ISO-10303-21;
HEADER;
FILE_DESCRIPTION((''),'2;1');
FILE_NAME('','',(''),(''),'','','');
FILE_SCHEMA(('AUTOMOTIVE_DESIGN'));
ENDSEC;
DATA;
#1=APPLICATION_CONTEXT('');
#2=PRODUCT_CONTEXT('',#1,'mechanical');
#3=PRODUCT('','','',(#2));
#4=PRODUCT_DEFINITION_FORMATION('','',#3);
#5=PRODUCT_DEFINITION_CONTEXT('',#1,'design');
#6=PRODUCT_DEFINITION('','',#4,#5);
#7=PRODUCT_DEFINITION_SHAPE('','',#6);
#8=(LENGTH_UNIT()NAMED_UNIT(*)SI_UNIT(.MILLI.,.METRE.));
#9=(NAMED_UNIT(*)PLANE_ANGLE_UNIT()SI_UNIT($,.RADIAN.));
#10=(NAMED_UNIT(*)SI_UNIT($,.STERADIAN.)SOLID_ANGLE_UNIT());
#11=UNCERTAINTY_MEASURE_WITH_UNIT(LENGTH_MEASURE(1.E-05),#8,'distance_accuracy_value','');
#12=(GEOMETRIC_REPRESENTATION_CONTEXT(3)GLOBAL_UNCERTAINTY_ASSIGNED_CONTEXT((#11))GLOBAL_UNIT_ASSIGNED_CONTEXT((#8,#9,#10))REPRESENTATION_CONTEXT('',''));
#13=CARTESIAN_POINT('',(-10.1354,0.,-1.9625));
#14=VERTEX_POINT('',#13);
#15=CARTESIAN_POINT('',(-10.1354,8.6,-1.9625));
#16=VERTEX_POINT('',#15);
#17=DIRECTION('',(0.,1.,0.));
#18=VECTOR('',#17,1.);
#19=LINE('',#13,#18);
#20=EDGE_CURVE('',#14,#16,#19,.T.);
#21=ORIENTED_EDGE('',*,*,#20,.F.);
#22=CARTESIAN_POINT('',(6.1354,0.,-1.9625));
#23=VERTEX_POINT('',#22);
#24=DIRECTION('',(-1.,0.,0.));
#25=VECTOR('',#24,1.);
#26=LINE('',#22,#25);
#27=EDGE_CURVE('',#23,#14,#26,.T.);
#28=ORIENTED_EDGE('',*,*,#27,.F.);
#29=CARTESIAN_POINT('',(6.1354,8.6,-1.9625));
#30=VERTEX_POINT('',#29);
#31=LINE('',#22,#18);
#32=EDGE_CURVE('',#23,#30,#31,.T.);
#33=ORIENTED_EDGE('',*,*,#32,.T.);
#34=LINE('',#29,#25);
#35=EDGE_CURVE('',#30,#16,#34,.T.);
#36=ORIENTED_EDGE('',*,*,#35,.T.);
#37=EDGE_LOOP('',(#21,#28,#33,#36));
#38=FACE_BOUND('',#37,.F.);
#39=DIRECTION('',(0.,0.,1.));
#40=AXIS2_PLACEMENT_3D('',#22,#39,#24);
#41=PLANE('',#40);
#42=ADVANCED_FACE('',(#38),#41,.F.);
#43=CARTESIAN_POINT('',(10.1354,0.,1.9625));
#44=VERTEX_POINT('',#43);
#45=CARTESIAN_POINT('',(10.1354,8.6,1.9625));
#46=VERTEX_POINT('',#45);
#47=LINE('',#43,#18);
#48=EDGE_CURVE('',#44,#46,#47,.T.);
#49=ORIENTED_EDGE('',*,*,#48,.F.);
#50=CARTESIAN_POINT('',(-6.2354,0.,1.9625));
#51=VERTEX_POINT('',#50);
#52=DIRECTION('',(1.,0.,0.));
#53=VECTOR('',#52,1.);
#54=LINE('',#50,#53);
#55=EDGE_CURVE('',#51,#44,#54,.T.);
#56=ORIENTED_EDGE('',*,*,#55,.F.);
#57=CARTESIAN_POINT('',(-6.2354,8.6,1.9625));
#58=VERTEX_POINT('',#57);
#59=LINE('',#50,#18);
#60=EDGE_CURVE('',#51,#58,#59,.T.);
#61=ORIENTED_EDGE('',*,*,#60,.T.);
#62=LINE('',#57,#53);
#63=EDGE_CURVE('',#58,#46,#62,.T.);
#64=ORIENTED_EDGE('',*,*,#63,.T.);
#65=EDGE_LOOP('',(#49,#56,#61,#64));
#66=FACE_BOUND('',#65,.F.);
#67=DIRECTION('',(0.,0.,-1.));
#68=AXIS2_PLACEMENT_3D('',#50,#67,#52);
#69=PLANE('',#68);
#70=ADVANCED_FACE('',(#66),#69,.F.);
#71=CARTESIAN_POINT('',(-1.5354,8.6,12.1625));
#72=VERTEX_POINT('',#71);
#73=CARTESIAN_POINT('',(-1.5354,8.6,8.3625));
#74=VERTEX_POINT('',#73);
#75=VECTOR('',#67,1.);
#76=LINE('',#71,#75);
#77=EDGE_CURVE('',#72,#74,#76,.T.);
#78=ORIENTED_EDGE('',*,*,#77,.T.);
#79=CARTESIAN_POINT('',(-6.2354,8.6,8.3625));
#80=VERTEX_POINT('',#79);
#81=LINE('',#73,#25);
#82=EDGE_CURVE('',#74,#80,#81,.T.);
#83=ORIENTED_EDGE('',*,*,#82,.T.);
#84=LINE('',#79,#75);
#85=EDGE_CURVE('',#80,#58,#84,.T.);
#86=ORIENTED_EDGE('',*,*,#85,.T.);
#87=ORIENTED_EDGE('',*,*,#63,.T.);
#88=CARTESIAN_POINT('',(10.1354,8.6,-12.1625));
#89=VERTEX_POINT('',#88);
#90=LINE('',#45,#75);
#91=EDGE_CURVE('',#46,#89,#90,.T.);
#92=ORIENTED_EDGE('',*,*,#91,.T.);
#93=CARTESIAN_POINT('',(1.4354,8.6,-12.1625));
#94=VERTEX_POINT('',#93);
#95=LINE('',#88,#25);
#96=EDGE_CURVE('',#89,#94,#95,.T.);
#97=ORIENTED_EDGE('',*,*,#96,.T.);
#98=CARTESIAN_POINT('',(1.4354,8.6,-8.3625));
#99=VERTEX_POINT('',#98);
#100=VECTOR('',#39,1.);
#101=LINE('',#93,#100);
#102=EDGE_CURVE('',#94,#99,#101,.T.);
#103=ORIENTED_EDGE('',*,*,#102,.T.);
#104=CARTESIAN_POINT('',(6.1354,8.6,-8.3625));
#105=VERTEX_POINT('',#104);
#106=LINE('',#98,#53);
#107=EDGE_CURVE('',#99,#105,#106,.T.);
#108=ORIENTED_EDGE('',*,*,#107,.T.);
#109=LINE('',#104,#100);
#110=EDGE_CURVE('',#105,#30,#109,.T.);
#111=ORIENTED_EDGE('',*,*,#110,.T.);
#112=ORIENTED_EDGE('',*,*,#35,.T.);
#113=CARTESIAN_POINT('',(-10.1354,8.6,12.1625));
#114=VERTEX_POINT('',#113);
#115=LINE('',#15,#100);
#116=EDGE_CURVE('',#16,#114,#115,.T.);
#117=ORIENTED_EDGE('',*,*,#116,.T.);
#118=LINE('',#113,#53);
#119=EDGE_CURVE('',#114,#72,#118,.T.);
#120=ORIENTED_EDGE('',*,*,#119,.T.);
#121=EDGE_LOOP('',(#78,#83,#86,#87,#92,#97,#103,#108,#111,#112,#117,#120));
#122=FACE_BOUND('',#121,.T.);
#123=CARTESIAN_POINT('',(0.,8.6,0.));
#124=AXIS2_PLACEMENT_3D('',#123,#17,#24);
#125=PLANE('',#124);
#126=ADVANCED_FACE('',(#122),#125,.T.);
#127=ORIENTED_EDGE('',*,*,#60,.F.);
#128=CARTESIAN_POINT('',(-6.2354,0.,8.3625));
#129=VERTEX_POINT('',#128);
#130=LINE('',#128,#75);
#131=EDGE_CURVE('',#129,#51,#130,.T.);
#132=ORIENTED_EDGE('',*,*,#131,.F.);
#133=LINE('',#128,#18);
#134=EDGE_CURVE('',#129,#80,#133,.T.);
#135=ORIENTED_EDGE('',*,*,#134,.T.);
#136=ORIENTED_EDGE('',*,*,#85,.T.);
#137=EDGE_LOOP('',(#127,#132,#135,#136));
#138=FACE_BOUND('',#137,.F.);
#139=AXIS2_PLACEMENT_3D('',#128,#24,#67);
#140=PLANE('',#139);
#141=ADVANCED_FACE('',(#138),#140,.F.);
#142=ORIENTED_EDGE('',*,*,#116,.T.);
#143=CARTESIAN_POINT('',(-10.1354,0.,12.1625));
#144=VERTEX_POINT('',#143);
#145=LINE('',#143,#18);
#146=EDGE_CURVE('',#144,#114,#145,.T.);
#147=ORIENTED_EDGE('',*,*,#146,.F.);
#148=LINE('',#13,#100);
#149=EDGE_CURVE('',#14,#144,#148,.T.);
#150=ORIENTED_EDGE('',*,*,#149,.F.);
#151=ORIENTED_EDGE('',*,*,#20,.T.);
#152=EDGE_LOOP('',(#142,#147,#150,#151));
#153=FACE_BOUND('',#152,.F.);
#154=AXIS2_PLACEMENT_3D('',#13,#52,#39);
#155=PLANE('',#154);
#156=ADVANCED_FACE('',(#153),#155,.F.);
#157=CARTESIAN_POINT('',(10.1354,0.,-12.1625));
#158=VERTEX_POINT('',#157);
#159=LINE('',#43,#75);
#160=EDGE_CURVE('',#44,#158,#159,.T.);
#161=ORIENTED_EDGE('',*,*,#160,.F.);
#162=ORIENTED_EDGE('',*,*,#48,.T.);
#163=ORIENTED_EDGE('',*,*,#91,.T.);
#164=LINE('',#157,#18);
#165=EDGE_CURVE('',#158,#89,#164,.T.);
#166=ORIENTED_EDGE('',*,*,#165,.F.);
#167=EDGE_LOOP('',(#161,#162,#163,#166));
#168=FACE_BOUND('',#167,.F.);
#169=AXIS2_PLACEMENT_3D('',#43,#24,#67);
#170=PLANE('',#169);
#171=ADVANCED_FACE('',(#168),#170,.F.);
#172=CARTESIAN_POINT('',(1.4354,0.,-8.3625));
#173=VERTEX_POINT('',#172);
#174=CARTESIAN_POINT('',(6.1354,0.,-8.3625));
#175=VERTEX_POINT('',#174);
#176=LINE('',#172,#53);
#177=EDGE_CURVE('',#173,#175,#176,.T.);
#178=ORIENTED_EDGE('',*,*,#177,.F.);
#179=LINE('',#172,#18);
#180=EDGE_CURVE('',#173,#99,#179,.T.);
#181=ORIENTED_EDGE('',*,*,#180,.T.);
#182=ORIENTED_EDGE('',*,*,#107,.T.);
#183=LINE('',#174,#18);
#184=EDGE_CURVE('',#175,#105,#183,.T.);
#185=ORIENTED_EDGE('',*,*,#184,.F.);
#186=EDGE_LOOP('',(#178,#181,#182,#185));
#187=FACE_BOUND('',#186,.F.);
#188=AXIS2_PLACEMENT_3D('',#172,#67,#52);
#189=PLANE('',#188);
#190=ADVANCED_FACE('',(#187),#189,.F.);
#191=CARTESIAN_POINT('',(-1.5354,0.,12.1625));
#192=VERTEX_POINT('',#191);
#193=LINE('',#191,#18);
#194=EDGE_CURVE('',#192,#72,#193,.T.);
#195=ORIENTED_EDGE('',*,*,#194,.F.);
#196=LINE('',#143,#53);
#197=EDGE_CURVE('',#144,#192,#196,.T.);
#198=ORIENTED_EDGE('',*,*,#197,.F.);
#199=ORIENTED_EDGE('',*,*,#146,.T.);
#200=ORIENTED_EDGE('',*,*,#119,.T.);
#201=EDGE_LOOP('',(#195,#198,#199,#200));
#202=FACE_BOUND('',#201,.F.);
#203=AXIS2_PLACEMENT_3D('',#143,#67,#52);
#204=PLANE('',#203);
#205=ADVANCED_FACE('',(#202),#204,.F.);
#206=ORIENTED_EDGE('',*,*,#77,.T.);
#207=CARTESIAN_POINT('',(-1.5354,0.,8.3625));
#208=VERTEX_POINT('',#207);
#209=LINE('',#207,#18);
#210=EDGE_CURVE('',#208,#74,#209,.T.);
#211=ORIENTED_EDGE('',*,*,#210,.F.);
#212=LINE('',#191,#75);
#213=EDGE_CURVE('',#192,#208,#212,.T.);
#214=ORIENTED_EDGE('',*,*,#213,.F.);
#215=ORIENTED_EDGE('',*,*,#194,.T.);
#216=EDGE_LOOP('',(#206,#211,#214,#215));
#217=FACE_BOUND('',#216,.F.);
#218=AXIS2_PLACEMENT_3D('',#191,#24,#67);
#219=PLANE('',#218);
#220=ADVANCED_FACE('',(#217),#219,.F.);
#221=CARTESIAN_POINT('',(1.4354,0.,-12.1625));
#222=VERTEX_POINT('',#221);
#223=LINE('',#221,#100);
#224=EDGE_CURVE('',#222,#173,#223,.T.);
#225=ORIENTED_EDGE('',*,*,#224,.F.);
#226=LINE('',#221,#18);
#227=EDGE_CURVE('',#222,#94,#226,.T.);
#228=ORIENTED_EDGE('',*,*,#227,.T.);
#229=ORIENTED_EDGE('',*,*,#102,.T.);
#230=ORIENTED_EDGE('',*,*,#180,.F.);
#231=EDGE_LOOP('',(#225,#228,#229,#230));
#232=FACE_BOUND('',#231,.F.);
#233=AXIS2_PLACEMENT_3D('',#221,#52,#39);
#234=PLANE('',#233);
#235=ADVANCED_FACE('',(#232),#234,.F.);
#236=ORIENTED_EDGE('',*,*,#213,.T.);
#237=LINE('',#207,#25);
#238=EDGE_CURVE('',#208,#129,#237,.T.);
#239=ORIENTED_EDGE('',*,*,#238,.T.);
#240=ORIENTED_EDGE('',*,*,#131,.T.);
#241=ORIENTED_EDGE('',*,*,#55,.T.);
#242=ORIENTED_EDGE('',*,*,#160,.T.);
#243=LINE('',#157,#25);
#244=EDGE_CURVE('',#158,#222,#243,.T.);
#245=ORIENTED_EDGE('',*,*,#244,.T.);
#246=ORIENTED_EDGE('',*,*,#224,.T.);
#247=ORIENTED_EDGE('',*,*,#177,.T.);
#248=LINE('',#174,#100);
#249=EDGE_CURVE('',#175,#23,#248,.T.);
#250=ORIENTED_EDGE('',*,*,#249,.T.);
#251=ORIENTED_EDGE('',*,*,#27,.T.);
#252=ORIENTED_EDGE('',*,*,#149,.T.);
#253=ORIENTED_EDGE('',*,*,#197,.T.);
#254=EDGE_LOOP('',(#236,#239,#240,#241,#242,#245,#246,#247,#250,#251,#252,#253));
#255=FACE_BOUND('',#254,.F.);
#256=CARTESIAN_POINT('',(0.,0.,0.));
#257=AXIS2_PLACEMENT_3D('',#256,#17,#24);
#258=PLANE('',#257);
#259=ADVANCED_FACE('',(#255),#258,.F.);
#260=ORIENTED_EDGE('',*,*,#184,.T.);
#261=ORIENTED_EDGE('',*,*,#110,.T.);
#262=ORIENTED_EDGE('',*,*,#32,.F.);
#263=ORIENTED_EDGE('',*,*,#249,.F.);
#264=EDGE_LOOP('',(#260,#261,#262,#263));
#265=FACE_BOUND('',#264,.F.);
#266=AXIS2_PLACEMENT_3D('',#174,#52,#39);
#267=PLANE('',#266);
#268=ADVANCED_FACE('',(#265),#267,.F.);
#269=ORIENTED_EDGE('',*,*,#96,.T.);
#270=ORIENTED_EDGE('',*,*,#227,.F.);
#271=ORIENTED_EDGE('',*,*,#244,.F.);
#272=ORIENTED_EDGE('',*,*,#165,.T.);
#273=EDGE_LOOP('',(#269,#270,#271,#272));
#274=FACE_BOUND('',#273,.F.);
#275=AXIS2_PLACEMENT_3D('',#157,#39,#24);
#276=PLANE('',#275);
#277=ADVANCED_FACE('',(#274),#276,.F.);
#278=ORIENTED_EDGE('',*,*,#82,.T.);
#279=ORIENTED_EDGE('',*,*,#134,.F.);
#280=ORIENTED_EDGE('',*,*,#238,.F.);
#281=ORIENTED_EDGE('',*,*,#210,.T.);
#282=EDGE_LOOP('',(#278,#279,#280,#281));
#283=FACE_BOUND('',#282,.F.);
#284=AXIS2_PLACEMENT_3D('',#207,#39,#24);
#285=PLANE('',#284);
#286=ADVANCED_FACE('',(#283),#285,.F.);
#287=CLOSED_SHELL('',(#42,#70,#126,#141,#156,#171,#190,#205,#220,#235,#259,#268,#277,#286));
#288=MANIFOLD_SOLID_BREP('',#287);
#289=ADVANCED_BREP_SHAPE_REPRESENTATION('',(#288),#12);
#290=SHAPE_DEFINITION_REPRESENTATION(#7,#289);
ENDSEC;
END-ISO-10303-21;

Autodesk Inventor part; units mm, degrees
ref_plane "YZ Plane" through (0, 0, 0) normal (1, 0, 0) x (0, 1, 0)
ref_plane "XZ Plane" through (0, 0, 0) normal (0, 1, 0) x (-1, 0, 0)
ref_plane "XY Plane" through (0, 0, 0) normal (0, 0, 1) x (1, 0, 0)
sketch "Skizze1" plane through (0, 0, 0) normal (0, 1, 0) x (-1, 0, 0)
  line L0 (-10.1354, -12.1625) -> (-1.4354, -12.1625)
  line L1 (10.1354, -1.9625) -> (10.1354, 12.1625)
  line L2 (10.1354, 12.1625) -> (1.5354, 12.1625)
  line L3 (-10.1354, 1.9625) -> (-10.1354, -12.1625)
  line L4 (-10.1354, -12.1625) -> (10.1354, 12.1625) construction
  line L5 (10, -12) -> (-10, 12) construction
  line L6 (1.5354, 12.1625) -> (1.5354, 8.3625)
  line L7 (1.5354, 8.3625) -> (6.2354, 8.3625)
  line L8 (6.2354, 8.3625) -> (6.2354, 1.9625)
  line L9 (6.2354, 1.9625) -> (-10.1354, 1.9625)
  line L10 (-1.4354, -12.1625) -> (-1.4354, -8.3625)
  line L11 (-1.4354, -8.3625) -> (-6.1354, -8.3625)
  line L12 (-6.1354, -8.3625) -> (-6.1354, -1.9625)
  line L13 (-6.1354, -1.9625) -> (10.1354, -1.9625)
  point P0 (0, 0)
  point P1 (1.5354, 10.2625)
  point P2 (6.2354, 5.1625)
  point P3 (-1.4354, -10.2625)
  dimension "d12" = 6.4
  dimension "d13" = 3.8
  dimension "d14" = 6.4
  dimension "d15" = 3.925
  dimension "d16" = 3.9
  dimension "d17" = 3.8
  dimension "d18" = 4.7
  dimension "d19" = 4.7
extrude "Extrusion1" add sketch "Skizze1" along normal blind 8.6
properties part number "Haken für Bioprinter 4x9mm 001"
